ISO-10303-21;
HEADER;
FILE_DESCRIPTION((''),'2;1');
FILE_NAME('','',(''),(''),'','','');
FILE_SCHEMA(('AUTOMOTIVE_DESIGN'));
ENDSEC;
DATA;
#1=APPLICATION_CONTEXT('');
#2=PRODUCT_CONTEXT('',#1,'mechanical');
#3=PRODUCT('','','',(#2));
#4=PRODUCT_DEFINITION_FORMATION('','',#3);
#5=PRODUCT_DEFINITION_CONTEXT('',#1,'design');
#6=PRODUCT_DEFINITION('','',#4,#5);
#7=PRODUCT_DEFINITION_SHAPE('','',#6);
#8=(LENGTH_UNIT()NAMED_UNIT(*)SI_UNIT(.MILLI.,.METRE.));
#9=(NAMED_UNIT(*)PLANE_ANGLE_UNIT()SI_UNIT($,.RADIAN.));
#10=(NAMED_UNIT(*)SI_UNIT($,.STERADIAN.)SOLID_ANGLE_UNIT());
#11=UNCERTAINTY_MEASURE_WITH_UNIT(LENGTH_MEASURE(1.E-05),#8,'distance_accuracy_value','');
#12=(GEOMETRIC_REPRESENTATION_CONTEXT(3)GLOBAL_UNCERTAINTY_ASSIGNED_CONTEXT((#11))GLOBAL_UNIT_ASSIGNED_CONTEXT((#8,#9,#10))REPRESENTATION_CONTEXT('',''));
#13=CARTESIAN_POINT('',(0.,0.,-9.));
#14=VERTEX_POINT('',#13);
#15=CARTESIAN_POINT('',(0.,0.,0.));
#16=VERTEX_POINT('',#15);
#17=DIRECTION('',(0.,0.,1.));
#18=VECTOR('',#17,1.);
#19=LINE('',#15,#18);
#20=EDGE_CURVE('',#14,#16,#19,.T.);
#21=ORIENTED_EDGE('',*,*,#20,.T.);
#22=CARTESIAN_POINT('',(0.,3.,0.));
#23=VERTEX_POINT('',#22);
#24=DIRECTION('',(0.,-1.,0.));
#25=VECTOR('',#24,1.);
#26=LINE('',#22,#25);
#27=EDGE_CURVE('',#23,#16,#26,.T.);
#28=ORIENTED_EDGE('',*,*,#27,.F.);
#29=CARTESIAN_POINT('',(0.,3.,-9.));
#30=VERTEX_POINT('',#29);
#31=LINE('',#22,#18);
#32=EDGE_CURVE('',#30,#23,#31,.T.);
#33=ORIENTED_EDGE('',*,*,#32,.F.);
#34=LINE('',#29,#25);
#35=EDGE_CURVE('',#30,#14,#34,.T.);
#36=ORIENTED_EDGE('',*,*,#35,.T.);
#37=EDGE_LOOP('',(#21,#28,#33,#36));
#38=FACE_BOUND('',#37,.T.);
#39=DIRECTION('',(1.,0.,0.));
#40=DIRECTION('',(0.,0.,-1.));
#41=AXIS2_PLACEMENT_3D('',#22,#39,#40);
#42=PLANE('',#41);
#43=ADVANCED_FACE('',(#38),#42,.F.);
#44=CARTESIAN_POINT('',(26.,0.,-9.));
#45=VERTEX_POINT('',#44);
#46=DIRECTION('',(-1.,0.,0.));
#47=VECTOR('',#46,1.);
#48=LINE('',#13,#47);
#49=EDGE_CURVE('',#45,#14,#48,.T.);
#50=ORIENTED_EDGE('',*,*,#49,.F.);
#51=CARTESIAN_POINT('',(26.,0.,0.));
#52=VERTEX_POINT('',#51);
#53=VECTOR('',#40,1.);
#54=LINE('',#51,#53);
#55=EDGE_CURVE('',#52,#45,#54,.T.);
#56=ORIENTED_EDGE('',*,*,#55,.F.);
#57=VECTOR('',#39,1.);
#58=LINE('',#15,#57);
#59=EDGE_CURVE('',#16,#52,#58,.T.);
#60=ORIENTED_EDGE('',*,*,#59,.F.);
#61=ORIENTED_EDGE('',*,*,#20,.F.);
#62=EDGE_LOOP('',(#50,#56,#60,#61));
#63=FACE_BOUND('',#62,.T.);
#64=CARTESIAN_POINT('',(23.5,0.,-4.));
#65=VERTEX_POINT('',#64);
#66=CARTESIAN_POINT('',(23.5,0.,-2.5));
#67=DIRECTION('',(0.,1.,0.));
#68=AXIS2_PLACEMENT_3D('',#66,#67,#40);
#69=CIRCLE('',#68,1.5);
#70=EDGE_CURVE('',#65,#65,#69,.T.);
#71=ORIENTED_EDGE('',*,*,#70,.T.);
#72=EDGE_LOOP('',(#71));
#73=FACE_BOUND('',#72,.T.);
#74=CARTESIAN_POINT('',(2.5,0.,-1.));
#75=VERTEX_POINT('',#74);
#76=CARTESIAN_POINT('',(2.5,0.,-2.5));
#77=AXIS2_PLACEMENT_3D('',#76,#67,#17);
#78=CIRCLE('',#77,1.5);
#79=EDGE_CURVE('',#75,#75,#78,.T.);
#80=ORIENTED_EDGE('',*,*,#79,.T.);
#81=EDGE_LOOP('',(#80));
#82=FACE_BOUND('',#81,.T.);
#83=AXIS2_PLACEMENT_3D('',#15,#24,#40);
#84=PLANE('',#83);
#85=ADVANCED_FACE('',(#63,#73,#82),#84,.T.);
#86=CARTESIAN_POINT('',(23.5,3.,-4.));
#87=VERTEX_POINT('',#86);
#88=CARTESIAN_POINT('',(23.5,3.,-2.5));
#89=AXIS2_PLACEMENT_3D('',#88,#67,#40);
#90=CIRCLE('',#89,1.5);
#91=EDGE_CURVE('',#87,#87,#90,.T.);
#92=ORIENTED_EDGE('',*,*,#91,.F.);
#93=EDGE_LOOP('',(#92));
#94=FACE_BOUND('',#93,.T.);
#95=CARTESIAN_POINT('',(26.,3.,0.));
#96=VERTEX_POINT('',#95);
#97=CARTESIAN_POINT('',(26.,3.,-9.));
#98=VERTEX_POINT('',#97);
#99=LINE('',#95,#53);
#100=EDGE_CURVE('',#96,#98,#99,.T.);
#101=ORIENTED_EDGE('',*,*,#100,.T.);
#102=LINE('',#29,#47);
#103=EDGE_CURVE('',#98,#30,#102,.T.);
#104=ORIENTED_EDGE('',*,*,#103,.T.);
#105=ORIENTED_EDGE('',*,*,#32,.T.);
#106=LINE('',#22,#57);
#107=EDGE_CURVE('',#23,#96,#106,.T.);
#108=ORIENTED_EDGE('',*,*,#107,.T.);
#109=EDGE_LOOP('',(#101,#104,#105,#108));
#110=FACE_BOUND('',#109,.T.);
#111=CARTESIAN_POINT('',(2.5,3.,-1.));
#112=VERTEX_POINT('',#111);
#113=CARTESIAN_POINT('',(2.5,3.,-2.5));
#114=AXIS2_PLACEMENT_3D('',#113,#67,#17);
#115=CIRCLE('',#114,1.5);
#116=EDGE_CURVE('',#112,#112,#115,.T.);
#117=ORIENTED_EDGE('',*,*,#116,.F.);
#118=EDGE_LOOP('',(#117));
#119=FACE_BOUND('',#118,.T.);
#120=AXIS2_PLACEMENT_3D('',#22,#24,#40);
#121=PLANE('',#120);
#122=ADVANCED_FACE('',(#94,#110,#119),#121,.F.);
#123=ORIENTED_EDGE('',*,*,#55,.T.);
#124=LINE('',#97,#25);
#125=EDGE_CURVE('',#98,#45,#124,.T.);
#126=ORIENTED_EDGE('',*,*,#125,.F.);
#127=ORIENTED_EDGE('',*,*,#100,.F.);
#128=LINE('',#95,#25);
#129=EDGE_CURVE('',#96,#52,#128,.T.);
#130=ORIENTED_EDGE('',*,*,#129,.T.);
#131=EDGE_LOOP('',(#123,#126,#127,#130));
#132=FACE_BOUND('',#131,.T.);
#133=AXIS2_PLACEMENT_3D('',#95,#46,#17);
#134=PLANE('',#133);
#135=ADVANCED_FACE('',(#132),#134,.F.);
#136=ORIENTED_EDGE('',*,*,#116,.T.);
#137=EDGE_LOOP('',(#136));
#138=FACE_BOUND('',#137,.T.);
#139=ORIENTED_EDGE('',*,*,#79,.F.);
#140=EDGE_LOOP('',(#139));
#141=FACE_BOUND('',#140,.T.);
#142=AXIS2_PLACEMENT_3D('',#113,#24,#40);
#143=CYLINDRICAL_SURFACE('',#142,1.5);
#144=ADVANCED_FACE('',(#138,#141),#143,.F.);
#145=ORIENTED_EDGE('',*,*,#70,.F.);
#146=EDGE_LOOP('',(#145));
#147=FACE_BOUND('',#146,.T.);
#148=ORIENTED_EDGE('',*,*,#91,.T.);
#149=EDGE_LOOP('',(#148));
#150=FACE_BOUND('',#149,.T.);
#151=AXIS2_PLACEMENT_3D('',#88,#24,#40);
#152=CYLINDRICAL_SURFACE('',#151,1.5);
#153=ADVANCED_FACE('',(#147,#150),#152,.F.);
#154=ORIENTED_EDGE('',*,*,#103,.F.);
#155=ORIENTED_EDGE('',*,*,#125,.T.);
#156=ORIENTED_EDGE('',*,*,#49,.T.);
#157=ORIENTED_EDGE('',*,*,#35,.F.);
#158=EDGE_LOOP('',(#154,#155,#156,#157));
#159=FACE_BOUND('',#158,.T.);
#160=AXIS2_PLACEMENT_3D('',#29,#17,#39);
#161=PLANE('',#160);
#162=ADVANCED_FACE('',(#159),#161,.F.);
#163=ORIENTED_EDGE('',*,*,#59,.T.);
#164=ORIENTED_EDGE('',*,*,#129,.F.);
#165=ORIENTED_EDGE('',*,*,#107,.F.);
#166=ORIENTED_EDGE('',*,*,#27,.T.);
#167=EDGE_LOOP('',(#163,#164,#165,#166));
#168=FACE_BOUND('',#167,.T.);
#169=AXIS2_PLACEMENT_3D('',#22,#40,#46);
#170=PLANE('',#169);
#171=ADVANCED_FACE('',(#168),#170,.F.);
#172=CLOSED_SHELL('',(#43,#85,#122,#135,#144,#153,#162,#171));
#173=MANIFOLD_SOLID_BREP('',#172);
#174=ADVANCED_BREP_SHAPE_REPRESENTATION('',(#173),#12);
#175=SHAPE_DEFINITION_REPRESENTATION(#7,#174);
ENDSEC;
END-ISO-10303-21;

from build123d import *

# Parameters (mm, degrees)
SZKIC1_W                    = 26
SZKIC1_H                    = 9
SZKIC1_R                    = 1.5
DODANIE_WYCI_GNI_CIE1_DEPTH = 3


with BuildPart() as part:
    # Szkic1 → Dodanie-wyciągnięcie1 (new body)
    with BuildSketch(Plane(origin=(0, 0, 0), x_dir=(1, 0, 0), z_dir=(0, 1, 0))):
        with Locations((13, 4.5)):
            Rectangle(SZKIC1_W, SZKIC1_H)
        with Locations(Location((2.5, 2.5, 0), (0, 0, 270))):
            Circle(SZKIC1_R, mode=Mode.SUBTRACT)
        with Locations(Location((23.5, 2.5, 0), (0, 0, 90))):
            Circle(SZKIC1_R, mode=Mode.SUBTRACT)
    extrude(amount=DODANIE_WYCI_GNI_CIE1_DEPTH)


solid = part.part
